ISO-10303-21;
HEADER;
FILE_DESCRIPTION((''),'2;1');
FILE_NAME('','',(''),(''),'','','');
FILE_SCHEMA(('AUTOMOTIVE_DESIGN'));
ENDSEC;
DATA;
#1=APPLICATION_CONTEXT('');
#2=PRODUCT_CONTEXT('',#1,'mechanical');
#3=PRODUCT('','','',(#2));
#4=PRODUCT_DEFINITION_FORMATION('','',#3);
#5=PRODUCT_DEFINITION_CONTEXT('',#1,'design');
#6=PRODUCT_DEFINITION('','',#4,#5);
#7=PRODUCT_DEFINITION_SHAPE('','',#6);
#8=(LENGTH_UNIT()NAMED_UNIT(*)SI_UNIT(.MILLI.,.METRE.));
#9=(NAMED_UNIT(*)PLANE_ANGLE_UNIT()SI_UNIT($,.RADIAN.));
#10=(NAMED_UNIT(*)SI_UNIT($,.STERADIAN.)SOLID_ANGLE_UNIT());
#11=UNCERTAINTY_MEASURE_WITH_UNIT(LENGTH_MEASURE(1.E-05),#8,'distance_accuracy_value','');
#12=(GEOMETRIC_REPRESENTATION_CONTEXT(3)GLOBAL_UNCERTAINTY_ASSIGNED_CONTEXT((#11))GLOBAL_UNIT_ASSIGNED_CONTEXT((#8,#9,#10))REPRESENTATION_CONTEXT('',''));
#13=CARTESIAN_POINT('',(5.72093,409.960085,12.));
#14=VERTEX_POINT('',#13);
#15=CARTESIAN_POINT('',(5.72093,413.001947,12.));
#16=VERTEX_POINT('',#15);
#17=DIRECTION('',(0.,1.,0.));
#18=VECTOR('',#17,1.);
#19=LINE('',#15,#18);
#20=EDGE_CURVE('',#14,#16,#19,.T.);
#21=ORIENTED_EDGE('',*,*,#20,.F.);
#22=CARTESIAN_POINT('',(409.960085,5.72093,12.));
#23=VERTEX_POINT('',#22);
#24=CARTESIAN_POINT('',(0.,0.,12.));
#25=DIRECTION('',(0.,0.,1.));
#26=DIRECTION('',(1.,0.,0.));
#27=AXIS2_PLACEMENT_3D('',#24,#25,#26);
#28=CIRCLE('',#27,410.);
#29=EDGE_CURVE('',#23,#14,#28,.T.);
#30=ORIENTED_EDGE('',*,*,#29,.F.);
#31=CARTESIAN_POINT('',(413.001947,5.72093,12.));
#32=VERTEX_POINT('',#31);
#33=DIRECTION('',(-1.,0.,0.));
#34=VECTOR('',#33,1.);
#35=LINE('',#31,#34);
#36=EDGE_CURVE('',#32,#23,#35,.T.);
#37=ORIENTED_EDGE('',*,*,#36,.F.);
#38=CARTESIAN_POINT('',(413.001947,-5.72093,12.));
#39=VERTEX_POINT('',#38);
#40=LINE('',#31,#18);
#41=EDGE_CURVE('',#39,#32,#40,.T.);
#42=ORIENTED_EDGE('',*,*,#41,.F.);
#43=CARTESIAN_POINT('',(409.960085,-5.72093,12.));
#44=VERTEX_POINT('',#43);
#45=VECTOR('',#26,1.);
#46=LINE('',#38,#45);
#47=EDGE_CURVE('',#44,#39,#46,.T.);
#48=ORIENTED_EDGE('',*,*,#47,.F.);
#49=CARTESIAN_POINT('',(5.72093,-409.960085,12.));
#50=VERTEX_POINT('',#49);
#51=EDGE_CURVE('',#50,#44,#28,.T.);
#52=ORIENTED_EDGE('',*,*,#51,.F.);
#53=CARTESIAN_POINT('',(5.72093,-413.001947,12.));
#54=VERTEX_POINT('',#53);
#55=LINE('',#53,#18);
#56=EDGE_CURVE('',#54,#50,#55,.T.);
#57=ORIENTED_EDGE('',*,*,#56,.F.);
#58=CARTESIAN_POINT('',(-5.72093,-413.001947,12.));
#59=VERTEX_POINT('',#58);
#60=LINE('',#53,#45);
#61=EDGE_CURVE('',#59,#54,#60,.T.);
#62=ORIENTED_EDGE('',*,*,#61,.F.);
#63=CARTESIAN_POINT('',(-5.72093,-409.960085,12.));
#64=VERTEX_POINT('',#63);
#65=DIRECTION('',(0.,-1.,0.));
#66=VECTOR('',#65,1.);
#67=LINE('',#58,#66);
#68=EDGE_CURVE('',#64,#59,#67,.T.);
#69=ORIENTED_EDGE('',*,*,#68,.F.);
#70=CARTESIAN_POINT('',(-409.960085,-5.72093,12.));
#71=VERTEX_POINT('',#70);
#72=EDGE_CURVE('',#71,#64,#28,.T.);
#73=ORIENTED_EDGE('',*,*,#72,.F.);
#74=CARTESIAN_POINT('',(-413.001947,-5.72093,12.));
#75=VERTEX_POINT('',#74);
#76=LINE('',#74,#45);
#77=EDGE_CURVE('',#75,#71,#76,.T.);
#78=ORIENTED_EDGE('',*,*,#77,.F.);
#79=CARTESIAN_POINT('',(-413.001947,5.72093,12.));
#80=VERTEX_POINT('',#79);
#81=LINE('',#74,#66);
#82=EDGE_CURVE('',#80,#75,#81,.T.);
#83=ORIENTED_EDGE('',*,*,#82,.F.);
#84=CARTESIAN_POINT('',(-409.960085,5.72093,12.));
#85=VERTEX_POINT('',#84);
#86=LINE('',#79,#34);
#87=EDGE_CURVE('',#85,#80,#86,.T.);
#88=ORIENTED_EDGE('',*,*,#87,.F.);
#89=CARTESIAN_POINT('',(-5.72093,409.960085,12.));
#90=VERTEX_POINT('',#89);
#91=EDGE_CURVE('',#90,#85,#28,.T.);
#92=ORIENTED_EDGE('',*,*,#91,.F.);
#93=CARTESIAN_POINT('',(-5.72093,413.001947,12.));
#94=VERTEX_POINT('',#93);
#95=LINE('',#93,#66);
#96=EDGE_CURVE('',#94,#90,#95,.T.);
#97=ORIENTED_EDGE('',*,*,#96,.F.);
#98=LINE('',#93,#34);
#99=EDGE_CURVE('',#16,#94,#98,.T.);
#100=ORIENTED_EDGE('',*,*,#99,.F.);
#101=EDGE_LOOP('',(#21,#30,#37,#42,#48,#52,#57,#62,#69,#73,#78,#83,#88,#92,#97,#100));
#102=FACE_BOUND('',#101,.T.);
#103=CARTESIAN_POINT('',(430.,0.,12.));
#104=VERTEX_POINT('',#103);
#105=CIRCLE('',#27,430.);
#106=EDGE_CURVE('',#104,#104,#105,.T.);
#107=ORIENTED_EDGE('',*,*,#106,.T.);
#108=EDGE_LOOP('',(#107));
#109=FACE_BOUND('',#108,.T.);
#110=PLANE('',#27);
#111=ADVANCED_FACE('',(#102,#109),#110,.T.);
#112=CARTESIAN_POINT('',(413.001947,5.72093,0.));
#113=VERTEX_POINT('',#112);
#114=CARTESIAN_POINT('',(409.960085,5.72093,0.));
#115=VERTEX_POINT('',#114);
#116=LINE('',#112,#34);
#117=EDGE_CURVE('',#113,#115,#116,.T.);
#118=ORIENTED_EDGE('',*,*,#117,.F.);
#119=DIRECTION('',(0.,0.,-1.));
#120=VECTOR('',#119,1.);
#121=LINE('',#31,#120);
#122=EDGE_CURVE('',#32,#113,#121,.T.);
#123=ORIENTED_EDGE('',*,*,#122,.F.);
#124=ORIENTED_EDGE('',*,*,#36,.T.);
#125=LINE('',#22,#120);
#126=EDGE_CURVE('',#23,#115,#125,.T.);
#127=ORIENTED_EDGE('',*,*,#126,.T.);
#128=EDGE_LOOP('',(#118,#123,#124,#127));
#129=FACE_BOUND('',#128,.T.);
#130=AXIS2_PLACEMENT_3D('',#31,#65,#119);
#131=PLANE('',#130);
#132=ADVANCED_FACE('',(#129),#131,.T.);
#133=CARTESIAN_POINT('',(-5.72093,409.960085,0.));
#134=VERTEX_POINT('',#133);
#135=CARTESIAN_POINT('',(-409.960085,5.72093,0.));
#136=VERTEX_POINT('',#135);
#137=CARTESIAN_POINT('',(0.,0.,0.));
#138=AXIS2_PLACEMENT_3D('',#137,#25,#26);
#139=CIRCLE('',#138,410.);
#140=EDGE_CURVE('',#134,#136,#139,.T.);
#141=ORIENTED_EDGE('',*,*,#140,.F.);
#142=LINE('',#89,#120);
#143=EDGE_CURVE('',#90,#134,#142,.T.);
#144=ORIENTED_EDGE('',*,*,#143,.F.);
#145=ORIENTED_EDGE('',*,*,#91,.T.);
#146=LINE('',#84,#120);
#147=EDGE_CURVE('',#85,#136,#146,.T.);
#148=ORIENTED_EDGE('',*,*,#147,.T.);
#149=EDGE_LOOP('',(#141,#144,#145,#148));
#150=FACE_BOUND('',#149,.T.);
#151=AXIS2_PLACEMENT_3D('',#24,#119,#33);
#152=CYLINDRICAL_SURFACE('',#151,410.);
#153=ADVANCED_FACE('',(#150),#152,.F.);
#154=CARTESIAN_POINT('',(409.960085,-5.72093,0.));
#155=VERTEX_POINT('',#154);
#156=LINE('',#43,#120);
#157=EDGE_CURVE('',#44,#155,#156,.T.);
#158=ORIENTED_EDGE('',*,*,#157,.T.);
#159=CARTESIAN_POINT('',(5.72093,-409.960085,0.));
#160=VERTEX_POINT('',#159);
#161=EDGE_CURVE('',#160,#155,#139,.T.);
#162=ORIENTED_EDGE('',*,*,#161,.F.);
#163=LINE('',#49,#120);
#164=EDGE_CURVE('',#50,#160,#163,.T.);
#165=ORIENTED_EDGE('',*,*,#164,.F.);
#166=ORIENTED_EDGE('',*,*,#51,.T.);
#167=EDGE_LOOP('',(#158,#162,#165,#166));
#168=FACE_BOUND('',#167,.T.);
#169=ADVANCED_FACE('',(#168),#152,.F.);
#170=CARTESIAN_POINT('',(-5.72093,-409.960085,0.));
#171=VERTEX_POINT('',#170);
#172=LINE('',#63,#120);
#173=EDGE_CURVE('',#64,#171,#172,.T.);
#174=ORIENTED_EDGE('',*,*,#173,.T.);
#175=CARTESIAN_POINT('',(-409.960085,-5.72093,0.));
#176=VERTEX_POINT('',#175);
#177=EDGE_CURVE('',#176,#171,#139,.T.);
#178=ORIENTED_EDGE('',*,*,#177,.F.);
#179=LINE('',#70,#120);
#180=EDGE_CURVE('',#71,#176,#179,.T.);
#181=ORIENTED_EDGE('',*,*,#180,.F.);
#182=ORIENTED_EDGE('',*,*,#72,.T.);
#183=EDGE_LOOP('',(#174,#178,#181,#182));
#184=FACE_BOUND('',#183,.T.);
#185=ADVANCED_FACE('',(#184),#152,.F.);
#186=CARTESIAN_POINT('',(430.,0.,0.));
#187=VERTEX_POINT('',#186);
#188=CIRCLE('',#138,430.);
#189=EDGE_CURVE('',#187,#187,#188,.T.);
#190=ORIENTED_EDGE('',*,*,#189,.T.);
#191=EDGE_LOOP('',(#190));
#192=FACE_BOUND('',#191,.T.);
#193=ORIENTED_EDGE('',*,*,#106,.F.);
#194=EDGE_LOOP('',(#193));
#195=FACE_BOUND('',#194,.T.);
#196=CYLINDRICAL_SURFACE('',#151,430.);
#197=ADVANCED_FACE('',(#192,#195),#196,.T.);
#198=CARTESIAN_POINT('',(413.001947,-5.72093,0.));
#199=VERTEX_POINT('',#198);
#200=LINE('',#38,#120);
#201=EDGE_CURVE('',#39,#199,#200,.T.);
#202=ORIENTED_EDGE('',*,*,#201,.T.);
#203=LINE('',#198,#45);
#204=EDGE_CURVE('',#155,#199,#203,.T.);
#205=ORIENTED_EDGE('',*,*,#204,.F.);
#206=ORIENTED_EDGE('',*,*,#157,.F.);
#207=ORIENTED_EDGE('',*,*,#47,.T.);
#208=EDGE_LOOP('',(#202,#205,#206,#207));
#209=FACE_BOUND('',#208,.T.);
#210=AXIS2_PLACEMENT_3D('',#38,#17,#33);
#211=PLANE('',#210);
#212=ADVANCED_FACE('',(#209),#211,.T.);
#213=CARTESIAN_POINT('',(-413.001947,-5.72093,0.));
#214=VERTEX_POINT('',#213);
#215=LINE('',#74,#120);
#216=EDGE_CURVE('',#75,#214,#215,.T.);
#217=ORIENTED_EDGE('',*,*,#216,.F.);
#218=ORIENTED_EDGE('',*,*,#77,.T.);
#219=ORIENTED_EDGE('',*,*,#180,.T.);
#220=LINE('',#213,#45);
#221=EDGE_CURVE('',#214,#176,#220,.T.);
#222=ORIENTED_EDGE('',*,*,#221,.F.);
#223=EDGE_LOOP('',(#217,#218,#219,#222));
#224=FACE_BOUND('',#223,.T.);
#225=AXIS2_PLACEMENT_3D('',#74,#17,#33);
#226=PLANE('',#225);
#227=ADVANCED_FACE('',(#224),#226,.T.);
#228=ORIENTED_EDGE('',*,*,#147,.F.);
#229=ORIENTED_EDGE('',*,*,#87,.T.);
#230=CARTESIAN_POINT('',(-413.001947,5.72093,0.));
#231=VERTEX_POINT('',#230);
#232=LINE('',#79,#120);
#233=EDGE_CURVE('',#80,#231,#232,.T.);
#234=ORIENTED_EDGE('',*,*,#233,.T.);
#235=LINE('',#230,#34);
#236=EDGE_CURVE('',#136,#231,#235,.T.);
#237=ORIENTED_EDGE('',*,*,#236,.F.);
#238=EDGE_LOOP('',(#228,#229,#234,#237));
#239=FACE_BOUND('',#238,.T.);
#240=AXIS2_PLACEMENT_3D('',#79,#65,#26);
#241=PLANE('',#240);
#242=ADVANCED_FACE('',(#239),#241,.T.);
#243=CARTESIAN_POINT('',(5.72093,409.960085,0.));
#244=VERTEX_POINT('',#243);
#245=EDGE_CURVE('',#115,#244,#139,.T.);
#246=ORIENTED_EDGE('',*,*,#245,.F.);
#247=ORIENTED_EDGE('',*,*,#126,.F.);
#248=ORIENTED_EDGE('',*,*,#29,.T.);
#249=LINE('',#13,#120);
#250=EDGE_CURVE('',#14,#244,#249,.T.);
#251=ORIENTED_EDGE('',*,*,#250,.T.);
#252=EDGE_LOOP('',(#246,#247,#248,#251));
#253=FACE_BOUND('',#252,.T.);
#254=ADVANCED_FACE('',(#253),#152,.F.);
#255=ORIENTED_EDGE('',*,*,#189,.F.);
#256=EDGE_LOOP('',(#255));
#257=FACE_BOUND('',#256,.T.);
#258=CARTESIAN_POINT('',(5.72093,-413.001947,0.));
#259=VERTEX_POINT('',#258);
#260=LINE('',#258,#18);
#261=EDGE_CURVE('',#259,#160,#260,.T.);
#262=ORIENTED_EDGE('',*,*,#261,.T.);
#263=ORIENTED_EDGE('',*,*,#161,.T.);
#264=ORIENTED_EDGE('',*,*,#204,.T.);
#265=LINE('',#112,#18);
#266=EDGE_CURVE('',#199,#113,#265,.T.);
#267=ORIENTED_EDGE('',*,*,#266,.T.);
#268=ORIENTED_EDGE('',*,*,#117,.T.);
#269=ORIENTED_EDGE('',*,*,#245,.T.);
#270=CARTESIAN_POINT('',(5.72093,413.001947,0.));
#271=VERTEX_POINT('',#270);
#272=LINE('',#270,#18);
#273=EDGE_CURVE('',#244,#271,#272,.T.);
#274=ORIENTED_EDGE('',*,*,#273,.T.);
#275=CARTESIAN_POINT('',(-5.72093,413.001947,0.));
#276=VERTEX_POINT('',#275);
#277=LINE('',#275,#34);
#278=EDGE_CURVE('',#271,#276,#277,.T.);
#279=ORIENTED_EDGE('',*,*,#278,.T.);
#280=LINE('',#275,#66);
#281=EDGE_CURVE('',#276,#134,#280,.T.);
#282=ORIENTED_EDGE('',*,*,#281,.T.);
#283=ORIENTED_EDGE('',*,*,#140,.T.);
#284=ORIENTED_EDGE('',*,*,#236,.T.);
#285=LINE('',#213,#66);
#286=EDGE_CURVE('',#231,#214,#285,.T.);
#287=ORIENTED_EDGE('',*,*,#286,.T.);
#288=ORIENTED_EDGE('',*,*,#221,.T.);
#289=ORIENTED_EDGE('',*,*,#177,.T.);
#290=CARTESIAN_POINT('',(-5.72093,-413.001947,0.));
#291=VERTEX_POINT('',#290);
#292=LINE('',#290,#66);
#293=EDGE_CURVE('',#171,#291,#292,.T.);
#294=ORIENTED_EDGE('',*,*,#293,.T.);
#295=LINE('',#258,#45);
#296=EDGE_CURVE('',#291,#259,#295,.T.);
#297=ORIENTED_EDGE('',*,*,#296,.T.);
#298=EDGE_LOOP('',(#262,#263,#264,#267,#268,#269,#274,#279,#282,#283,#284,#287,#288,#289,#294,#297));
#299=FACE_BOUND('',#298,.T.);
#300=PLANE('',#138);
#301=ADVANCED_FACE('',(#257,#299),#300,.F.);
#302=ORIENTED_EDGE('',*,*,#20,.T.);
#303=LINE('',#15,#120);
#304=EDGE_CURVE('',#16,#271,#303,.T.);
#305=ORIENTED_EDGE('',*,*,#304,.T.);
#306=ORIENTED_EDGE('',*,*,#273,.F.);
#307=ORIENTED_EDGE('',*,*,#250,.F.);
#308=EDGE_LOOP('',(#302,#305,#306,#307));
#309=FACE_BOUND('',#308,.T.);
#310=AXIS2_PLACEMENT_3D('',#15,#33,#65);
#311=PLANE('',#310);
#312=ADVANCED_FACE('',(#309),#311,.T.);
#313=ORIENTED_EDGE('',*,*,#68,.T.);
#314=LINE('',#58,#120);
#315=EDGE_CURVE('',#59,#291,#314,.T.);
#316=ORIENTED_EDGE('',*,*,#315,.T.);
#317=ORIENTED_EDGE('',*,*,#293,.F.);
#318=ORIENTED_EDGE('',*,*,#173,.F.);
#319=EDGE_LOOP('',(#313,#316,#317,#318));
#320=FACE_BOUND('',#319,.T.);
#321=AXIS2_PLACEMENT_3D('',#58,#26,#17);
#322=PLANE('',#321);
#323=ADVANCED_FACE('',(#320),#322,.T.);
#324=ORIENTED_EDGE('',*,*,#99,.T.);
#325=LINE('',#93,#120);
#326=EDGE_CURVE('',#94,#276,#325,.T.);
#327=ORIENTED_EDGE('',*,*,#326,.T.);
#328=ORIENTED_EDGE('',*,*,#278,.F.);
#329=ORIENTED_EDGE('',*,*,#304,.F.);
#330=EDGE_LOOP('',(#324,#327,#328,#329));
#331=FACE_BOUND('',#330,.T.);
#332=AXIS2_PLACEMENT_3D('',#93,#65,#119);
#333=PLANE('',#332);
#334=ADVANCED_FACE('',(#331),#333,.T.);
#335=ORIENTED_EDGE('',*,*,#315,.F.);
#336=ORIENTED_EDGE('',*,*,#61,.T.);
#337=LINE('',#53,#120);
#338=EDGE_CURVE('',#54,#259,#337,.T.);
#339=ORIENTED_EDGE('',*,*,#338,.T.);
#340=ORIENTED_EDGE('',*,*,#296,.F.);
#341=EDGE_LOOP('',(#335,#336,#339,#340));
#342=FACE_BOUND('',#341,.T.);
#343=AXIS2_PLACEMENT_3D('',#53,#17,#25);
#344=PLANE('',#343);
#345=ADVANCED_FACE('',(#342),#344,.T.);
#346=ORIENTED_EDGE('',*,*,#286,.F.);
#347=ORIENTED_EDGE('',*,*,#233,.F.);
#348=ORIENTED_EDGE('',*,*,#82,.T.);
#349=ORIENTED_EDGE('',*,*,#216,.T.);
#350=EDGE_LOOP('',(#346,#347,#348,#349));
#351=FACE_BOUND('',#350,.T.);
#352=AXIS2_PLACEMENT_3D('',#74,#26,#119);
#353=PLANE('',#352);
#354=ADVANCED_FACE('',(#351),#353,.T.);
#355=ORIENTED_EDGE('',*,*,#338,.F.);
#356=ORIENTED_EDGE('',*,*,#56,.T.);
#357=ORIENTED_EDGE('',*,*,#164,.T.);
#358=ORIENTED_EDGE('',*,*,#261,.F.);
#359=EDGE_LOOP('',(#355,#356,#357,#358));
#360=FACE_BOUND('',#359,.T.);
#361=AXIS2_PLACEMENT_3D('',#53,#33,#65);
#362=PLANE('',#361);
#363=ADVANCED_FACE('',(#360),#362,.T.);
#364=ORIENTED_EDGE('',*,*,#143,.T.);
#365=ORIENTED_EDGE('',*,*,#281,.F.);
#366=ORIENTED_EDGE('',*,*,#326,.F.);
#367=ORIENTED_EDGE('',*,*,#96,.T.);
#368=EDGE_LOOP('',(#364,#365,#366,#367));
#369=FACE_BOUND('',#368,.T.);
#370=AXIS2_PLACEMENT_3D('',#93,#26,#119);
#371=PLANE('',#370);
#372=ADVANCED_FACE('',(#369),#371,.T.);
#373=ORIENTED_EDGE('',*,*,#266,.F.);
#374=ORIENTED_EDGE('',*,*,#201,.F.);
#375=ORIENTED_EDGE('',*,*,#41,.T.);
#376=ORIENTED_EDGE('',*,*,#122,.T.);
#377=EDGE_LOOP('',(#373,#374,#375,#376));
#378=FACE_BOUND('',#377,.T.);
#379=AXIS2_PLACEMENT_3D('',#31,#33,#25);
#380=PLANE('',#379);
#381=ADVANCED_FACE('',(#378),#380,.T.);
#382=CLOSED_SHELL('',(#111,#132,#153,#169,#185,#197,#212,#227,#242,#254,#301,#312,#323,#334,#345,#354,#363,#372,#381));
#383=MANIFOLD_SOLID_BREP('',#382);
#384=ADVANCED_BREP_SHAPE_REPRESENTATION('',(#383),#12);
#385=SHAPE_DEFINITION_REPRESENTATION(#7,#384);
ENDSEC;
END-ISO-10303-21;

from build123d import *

# Parameters (mm, degrees)
SKETCH1_R           = 430
BOSS_EXTRUDE1_DEPTH = 12


with BuildPart() as part:
    # Sketch1 → Boss-Extrude1 (new body)
    with BuildSketch(Plane.XY):
        Circle(SKETCH1_R)
        with BuildLine():
            Line((413.001947093, 5.720930233), (409.96008459, 5.720930233))
            ThreePointArc((409.96008459, 5.720930233), (289.913780286, 289.913780286), (5.720930233, 409.96008459))
            Line((5.720930233, 409.96008459), (5.720930233, 413.001947093))
            Line((5.720930233, 413.001947093), (-5.720930233, 413.001947093))
            Line((-5.720930233, 413.001947093), (-5.720930233, 409.96008459))
            ThreePointArc((-5.720930233, 409.96008459), (-289.913780286, 289.913780286), (-409.96008459, 5.720930233))
            Line((-409.96008459, 5.720930233), (-413.001947093, 5.720930233))
            Line((-413.001947093, 5.720930233), (-413.001947093, -5.720930233))
            Line((-413.001947093, -5.720930233), (-409.96008459, -5.720930233))
            ThreePointArc((-409.96008459, -5.720930233), (-289.913780286, -289.913780286), (-5.720930233, -409.96008459))
            Line((-5.720930233, -409.96008459), (-5.720930233, -413.001947093))
            Line((-5.720930233, -413.001947093), (5.720930233, -413.001947093))
            Line((5.720930233, -413.001947093), (5.720930233, -409.96008459))
            ThreePointArc((5.720930233, -409.96008459), (289.913780286, -289.913780286), (409.96008459, -5.720930233))
            Line((409.96008459, -5.720930233), (413.001947093, -5.720930233))
            Line((413.001947093, -5.720930233), (413.001947093, 5.720930233))
        make_face(mode=Mode.SUBTRACT)
    extrude(amount=BOSS_EXTRUDE1_DEPTH)


solid = part.part
